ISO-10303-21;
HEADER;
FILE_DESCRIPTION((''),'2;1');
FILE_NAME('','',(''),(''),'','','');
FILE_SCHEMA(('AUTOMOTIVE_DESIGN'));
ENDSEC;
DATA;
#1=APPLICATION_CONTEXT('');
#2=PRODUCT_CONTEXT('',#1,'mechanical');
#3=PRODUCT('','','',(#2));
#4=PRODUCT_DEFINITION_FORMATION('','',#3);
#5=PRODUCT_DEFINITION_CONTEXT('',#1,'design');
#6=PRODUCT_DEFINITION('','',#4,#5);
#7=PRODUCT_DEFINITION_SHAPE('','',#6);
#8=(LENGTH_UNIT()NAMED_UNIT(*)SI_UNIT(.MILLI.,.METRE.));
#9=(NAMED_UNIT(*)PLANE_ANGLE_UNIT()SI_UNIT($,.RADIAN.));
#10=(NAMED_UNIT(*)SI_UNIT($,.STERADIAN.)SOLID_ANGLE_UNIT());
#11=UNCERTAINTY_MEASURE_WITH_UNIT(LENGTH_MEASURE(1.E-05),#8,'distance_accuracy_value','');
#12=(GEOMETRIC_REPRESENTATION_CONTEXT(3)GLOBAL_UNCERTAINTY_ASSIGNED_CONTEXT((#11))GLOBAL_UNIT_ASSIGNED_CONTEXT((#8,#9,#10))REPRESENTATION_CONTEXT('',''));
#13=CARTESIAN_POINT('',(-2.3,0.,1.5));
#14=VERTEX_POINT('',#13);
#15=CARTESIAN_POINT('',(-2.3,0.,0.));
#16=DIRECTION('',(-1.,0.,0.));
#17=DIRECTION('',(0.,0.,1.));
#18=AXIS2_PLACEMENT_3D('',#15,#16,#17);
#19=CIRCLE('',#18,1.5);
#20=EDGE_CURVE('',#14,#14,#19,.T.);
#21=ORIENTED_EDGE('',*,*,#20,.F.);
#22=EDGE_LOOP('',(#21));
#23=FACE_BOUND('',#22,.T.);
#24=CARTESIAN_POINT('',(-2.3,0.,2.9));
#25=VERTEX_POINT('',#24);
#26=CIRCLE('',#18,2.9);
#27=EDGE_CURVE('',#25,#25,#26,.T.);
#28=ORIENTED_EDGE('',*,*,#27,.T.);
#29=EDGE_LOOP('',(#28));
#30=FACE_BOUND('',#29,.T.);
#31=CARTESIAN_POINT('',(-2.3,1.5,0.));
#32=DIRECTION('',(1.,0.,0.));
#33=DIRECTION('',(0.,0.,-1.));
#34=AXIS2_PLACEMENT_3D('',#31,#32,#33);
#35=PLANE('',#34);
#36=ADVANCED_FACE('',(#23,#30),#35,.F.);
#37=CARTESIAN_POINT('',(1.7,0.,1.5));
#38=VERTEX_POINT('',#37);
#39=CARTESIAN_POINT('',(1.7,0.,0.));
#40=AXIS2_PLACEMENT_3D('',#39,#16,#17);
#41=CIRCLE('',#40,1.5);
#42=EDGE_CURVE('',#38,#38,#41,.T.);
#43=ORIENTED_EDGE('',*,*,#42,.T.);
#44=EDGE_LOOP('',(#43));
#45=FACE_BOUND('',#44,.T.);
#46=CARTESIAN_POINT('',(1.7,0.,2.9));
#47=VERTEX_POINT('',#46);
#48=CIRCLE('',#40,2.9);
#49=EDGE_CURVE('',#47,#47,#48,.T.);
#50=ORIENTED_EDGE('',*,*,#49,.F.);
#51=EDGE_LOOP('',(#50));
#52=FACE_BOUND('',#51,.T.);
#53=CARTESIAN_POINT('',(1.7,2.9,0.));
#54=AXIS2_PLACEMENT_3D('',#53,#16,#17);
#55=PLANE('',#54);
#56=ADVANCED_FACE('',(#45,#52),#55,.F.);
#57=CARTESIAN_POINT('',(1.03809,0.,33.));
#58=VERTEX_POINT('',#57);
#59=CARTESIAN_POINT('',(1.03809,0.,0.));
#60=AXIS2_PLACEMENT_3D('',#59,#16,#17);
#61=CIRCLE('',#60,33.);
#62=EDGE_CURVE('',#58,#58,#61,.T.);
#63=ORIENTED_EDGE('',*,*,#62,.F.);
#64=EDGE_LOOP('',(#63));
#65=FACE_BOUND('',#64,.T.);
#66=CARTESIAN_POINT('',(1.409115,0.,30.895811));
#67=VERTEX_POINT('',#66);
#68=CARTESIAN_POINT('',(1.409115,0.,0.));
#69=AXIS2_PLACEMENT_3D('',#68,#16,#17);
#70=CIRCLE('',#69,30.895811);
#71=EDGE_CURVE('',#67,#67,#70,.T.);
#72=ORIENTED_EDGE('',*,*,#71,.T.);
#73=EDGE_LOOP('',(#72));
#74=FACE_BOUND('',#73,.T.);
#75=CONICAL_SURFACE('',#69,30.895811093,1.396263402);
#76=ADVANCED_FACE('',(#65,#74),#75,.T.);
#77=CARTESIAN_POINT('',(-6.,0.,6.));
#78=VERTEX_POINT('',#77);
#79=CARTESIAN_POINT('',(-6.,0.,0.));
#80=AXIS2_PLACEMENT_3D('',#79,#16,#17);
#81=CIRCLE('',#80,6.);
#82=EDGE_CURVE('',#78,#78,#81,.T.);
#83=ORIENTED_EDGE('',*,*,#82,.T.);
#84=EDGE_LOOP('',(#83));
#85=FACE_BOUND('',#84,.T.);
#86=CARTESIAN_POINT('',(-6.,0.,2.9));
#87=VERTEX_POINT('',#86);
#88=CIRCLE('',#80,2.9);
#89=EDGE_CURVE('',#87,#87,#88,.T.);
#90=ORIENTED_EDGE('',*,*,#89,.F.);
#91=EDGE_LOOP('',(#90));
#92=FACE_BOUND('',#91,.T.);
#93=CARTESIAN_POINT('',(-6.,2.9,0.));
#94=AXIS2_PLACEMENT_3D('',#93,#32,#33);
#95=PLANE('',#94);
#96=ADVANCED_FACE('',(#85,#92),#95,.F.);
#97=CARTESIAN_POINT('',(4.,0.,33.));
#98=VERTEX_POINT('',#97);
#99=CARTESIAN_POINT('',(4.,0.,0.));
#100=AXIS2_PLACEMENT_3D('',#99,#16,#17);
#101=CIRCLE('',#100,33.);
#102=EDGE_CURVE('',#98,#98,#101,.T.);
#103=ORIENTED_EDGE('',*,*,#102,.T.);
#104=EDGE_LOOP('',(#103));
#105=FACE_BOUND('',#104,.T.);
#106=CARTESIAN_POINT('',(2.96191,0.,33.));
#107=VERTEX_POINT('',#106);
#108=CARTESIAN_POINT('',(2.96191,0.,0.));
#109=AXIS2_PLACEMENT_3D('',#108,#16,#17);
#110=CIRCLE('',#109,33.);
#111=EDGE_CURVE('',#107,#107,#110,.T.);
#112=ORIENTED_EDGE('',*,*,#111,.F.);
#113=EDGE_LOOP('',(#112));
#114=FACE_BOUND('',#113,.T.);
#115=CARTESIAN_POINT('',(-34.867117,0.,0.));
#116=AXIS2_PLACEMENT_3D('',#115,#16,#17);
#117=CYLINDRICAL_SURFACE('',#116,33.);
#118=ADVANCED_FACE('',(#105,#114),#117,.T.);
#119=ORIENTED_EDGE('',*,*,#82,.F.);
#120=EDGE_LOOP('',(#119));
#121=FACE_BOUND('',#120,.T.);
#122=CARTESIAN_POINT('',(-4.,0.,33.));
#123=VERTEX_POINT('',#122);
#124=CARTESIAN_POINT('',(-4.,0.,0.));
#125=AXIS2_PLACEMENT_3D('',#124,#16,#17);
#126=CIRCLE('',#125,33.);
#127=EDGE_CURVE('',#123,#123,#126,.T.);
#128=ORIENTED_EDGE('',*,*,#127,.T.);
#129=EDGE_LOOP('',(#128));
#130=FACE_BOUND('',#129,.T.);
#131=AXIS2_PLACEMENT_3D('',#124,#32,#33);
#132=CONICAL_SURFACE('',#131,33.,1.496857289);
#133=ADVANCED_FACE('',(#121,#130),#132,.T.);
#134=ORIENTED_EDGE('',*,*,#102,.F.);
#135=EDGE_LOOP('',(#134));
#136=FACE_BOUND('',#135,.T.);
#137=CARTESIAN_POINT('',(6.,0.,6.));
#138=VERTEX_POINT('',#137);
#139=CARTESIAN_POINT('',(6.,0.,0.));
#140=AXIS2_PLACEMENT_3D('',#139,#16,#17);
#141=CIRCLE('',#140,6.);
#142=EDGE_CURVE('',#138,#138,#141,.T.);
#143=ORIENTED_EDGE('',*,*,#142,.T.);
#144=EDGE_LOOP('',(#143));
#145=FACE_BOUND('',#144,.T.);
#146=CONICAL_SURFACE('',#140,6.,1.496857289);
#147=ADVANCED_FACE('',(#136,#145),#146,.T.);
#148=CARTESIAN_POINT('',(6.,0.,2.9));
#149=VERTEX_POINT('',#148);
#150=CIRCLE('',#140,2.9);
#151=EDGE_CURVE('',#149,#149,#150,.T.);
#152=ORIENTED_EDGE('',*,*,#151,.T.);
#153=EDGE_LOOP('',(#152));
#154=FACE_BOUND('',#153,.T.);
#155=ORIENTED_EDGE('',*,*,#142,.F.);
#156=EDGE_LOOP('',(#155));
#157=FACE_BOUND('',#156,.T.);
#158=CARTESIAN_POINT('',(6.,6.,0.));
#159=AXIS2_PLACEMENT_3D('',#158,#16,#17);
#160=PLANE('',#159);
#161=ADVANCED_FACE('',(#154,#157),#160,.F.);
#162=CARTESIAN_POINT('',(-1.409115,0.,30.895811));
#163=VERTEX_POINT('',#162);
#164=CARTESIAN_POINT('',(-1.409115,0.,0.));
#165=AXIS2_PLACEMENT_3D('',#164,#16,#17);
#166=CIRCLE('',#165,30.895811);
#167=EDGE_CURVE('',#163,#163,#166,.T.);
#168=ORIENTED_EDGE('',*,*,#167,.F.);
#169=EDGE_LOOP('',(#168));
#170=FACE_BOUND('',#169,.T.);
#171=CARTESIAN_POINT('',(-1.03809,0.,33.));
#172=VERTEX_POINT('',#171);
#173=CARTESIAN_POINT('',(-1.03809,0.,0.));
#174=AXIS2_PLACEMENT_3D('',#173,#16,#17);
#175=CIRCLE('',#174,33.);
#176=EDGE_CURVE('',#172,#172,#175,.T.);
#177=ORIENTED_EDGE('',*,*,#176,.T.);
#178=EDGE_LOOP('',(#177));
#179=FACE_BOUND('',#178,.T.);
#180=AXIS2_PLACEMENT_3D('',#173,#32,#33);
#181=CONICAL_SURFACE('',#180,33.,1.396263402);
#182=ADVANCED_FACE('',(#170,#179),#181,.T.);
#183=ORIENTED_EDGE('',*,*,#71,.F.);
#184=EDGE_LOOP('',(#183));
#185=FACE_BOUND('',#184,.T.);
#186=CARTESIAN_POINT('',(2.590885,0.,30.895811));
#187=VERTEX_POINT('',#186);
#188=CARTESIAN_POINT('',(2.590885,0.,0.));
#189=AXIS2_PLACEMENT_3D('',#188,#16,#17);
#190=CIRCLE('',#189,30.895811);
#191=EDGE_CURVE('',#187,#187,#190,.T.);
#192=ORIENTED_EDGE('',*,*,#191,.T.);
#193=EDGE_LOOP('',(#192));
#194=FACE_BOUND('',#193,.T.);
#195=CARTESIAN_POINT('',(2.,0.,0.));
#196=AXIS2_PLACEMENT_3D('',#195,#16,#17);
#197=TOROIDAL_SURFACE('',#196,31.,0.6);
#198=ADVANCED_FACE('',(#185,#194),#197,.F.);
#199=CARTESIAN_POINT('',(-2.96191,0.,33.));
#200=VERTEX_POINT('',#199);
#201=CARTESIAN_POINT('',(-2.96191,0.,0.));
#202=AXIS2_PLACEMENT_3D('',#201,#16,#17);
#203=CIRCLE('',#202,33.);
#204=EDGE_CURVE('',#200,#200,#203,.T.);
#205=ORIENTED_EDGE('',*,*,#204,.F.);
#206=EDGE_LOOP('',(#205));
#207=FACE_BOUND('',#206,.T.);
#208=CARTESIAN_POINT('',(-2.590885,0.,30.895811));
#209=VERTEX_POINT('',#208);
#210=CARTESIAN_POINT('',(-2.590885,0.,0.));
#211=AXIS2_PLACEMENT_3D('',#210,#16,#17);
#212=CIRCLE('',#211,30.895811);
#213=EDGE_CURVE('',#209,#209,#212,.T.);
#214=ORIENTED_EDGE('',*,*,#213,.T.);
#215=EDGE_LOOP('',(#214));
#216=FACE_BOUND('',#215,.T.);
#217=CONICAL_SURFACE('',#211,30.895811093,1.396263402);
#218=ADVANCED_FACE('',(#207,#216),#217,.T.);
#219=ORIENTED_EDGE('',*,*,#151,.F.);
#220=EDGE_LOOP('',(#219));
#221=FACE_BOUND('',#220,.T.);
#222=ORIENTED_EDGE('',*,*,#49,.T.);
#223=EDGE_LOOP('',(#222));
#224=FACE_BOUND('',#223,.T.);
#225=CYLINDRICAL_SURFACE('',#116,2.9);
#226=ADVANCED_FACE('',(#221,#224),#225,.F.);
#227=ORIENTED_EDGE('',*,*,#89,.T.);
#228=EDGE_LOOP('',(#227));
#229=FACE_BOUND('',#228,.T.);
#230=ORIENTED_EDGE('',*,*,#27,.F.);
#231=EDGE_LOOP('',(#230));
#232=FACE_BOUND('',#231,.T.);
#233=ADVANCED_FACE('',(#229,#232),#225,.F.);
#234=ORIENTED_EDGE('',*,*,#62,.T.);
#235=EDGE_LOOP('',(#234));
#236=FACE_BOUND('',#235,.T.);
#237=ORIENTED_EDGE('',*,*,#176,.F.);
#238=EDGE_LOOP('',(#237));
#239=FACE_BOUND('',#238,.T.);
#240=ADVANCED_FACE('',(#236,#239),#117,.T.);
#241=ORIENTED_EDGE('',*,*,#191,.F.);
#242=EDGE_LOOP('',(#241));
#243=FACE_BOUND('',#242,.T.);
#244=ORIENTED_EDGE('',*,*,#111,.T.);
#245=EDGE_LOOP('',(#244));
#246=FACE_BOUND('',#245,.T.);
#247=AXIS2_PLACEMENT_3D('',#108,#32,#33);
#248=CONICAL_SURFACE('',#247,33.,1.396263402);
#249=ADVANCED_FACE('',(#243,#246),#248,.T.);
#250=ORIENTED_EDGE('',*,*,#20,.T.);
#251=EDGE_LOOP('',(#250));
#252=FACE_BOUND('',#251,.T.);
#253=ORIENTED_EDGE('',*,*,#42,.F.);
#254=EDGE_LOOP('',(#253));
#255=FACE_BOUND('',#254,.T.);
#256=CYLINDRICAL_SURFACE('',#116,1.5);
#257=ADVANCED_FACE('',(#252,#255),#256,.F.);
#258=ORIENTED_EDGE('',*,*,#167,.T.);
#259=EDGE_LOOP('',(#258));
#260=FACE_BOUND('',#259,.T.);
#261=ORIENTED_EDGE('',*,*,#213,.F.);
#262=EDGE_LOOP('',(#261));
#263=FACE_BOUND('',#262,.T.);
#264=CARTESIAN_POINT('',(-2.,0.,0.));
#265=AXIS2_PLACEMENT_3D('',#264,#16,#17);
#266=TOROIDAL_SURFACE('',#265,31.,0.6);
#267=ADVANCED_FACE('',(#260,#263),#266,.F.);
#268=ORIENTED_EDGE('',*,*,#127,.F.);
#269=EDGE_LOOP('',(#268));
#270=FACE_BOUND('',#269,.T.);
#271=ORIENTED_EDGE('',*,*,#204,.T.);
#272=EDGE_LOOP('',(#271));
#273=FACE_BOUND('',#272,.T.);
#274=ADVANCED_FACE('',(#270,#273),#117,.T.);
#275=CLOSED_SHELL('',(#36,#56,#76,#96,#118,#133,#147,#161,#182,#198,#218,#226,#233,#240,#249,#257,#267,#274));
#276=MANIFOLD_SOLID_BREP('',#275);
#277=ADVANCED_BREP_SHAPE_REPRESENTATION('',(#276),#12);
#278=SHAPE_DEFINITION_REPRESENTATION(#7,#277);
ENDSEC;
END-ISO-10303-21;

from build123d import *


with BuildPart() as part:
    # Esquisse1 → Révolution1 (revolve)
    with BuildSketch(Plane.XY):
        with BuildLine():
            Line((1.7, 2.9), (1.7, 1.5))
            Line((1.7, 1.5), (-2.3, 1.5))
            Line((-2.3, 1.5), (-2.3, 2.9))
            Line((-2.3, 2.9), (-6, 2.9))
            Line((-6, 2.9), (-6, 6))
            Line((-6, 6), (-4, 33))
            Line((-4, 33), (-2.961909929, 33))
            Line((-2.961909929, 33), (-2.590884652, 30.895811093))
            ThreePointArc((-2.590884652, 30.895811093), (-2, 30.4), (-1.409115348, 30.895811093))
            Line((-1.409115348, 30.895811093), (-1.038090071, 33))
            Line((-1.038090071, 33), (1.038090071, 33))
            Line((1.038090071, 33), (1.409115348, 30.895811093))
            ThreePointArc((1.409115348, 30.895811093), (2, 30.4), (2.590884652, 30.895811093))
            Line((2.590884652, 30.895811093), (2.961909929, 33))
            Line((2.961909929, 33), (4, 33))
            Line((4, 33), (6, 6))
            Line((6, 6), (6, 2.9))
            Line((6, 2.9), (1.7, 2.9))
        make_face()
    revolve(axis=Axis((-34.867117454, 0, 0), (1, 0, 0)))


solid = part.part
